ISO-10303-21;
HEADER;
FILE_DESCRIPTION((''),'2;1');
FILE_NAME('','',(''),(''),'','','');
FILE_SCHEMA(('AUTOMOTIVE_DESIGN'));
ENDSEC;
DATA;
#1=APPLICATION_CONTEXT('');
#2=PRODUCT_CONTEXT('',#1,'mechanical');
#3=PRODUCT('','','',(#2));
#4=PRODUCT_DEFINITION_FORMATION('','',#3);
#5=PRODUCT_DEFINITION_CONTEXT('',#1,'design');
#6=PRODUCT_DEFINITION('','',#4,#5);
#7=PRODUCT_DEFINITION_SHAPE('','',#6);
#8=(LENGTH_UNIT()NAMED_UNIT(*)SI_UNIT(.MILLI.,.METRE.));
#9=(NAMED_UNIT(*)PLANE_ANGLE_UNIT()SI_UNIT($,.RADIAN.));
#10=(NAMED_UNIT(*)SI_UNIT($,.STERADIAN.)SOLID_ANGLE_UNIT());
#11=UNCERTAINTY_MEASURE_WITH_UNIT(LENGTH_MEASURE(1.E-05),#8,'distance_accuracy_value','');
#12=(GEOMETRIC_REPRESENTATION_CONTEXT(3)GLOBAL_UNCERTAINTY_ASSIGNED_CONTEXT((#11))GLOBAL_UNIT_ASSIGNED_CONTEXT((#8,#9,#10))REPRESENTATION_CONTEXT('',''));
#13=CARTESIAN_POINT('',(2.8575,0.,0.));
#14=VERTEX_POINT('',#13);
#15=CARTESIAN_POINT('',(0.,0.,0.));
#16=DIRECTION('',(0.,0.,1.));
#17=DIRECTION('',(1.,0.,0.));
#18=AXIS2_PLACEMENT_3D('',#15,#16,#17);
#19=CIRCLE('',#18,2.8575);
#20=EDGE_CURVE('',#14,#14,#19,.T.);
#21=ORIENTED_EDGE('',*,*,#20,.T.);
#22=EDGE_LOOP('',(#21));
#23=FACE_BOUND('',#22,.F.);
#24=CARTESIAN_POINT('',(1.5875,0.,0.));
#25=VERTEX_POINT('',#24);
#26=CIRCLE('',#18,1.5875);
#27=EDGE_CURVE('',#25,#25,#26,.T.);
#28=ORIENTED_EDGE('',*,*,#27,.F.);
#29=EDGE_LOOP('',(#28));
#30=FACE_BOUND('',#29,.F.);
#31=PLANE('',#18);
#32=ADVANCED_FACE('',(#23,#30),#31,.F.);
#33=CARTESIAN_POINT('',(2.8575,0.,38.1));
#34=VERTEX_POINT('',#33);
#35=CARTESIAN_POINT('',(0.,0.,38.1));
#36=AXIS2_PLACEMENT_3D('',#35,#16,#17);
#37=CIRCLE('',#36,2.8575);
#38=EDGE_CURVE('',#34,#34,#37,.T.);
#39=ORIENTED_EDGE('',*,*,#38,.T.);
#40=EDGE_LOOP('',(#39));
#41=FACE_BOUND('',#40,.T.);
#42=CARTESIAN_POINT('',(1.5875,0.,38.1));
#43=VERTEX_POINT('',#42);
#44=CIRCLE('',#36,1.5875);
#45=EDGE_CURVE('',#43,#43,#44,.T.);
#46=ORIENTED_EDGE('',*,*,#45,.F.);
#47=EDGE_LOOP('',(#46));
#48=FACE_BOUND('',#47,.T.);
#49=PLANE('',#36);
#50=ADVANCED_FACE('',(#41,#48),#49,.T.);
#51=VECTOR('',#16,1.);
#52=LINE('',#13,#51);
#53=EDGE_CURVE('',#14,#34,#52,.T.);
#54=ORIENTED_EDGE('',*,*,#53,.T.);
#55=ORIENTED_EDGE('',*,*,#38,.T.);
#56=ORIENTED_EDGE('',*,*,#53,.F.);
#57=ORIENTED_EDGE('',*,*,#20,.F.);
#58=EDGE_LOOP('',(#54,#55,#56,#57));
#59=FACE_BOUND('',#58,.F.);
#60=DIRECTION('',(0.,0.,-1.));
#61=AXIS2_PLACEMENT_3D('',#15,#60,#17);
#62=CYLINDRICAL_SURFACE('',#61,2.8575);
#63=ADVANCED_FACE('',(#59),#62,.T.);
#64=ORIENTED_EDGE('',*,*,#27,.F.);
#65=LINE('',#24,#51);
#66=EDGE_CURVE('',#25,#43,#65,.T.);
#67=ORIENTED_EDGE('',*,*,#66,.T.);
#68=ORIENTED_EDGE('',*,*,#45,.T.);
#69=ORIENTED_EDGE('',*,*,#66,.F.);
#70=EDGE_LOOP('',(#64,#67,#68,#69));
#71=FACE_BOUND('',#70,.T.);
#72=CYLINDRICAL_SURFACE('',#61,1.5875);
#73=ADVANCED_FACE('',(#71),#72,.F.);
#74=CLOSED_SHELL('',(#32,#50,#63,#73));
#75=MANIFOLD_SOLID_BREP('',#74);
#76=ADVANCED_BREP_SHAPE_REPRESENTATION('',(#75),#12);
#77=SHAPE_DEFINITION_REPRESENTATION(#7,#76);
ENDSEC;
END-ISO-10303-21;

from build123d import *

# Parameters (mm, degrees)
SKETCH1_R           = 2.8575
SKETCH1_R_2         = 1.5875
BOSS_EXTRUDE1_DEPTH = 38.1


with BuildPart() as part:
    # Sketch1 → Boss-Extrude1 (new body)
    with BuildSketch(Plane.XY):
        Circle(SKETCH1_R)
        Circle(SKETCH1_R_2, mode=Mode.SUBTRACT)
    extrude(amount=BOSS_EXTRUDE1_DEPTH)


solid = part.part
